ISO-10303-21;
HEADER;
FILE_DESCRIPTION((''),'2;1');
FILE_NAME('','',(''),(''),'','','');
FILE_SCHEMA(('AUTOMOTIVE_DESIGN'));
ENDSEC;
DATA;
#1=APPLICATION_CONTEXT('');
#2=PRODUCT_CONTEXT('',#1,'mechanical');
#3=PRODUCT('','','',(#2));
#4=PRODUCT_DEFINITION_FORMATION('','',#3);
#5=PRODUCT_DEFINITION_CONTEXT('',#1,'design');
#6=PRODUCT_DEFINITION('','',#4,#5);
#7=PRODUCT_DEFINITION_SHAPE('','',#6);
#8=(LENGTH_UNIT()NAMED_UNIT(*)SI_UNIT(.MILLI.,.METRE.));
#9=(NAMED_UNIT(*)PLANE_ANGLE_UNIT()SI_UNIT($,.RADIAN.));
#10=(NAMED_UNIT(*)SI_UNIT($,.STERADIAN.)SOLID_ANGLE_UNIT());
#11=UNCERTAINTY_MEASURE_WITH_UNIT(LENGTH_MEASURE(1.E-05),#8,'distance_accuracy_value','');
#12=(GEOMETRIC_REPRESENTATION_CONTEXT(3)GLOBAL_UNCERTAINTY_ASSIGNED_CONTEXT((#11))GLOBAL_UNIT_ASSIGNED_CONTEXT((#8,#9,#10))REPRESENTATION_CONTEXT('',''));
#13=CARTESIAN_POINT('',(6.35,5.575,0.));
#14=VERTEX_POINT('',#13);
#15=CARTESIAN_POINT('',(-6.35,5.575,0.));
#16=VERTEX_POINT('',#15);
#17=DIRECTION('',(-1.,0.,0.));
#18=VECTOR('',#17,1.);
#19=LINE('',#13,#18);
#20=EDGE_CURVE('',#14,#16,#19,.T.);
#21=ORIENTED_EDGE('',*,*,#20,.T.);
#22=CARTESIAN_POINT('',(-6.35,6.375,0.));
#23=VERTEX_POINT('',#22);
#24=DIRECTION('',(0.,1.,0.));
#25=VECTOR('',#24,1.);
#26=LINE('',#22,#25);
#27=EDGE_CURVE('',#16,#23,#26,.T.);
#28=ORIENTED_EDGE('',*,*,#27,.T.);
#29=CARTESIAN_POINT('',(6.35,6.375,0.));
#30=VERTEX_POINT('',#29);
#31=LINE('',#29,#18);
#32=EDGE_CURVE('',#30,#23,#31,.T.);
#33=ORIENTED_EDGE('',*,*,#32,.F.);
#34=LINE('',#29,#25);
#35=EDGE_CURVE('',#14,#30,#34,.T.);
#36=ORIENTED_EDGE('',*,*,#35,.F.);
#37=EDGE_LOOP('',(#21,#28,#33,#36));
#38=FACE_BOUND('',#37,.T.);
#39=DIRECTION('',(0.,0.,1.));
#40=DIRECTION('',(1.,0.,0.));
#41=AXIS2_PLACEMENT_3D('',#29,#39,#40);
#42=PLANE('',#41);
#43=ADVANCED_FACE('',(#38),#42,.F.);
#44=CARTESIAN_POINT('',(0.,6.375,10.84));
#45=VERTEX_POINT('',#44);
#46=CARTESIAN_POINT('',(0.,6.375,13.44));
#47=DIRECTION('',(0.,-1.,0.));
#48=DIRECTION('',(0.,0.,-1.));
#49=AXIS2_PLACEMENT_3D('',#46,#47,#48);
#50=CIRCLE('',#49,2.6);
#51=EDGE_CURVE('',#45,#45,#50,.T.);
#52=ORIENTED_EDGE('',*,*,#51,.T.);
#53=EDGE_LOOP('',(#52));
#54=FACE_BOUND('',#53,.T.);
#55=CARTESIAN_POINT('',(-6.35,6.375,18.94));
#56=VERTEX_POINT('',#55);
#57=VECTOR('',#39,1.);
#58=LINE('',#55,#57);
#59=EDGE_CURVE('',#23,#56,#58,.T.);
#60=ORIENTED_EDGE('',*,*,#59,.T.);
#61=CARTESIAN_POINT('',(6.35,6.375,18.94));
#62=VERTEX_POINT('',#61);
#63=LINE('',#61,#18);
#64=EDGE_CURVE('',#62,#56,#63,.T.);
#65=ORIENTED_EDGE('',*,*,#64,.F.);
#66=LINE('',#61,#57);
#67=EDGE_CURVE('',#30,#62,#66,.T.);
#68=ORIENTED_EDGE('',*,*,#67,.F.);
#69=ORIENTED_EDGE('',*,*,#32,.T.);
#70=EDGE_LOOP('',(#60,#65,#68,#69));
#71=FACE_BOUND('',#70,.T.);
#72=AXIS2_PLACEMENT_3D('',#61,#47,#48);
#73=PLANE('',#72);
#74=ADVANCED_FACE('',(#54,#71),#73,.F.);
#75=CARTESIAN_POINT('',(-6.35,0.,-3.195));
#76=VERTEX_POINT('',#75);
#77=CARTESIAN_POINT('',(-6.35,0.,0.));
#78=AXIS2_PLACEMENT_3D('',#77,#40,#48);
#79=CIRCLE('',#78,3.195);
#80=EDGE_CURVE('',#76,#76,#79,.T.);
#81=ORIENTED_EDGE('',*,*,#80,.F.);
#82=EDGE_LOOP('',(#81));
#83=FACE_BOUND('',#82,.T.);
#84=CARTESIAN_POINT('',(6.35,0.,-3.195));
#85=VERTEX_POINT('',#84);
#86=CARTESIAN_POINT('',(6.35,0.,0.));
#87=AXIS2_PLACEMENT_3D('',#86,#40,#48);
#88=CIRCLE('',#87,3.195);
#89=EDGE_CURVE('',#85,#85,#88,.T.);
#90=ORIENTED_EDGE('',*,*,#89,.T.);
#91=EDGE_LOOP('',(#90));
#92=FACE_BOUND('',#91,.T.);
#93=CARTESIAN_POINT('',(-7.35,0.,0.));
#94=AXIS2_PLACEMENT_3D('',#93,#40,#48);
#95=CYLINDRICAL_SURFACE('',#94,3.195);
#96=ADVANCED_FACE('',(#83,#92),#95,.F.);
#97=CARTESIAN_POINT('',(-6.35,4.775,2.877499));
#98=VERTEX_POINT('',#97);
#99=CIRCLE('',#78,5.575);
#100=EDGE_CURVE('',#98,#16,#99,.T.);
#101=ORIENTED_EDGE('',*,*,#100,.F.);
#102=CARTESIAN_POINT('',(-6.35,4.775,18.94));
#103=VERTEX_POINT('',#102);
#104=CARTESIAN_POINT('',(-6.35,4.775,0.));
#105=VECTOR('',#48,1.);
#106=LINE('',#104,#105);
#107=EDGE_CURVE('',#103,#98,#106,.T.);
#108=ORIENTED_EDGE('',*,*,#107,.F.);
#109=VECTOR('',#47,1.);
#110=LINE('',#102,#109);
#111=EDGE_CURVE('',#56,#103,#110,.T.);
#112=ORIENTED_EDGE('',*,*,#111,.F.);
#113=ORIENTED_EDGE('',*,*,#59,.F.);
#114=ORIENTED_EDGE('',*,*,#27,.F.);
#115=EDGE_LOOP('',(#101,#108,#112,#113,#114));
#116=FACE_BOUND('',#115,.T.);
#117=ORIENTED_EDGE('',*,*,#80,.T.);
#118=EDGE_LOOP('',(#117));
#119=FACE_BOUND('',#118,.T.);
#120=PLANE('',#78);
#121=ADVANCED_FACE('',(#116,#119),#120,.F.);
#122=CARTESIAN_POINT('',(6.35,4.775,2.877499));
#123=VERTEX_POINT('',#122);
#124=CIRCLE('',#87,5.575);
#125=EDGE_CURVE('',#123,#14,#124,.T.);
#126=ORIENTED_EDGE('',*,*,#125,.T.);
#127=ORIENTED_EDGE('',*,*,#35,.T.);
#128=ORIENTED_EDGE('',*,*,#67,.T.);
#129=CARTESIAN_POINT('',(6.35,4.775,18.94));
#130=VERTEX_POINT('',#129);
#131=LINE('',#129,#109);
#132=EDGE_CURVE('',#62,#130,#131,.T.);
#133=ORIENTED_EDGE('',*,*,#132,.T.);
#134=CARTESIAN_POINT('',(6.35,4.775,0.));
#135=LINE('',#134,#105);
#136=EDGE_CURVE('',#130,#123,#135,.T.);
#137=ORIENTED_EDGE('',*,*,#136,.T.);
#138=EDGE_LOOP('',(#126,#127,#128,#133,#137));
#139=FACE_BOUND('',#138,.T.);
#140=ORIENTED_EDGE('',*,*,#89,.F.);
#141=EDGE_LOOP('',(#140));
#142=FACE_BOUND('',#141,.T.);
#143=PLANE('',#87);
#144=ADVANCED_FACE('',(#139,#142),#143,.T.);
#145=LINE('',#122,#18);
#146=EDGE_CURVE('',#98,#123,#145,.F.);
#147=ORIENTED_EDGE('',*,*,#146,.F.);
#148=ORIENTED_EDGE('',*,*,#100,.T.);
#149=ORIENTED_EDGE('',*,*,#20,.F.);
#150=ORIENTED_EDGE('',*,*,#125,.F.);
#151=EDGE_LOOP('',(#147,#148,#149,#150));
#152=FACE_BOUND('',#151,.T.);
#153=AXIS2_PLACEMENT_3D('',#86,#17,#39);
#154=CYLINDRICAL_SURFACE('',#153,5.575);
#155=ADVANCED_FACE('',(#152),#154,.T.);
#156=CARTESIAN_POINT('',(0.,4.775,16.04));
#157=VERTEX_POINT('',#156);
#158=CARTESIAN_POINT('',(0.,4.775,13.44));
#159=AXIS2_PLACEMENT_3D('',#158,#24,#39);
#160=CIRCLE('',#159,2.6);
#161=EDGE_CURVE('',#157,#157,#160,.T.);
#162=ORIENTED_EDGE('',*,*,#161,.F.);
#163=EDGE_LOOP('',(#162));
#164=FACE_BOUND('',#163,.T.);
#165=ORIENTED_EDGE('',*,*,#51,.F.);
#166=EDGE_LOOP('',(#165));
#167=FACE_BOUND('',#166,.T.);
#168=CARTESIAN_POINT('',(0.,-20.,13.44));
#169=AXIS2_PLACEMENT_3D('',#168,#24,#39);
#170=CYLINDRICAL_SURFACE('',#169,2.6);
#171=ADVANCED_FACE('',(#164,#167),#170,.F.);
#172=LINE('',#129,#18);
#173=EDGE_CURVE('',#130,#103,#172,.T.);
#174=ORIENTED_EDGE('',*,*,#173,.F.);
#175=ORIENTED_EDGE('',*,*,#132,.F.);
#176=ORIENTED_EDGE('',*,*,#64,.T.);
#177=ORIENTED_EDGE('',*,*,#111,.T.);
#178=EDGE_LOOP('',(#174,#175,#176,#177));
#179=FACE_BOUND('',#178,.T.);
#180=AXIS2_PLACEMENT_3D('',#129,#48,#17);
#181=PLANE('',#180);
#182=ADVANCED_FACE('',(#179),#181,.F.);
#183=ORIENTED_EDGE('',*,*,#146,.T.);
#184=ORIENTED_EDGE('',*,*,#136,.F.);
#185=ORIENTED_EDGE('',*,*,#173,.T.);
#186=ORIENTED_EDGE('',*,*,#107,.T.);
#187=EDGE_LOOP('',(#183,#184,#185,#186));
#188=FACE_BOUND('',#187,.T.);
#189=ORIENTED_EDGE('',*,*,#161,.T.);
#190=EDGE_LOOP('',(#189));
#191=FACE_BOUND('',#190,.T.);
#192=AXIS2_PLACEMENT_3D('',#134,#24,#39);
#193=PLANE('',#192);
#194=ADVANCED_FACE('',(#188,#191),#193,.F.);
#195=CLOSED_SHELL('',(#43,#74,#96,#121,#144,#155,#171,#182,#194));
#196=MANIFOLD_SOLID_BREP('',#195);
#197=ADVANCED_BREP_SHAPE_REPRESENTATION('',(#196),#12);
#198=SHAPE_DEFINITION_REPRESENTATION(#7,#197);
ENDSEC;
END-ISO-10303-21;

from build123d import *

# Parameters (mm, degrees)
LOOP_SKETCH_R       = 5.575
LOOP_DEPTH          = 6.35
TAB_SKETCH_W        = 18.94
TAB_SKETCH_H        = 1.6
TAB_DEPTH           = 6.35
TUBE_HOLE_SKETCH_R  = 3.195
TUBE_HOLE_DEPTH     = 7.35
MOUNT_HOLE_SKETCH_R = 2.6
MOUNT_HOLE_DEPTH    = 20


with BuildPart() as part:
    # Loop Sketch → Loop (new, symmetric)
    with BuildSketch(Plane(origin=(0, 0, 0), x_dir=(0, 0, -1), z_dir=(1, 0, 0))):
        Circle(LOOP_SKETCH_R)
    extrude(amount=LOOP_DEPTH, both=True)

    # Tab Sketch → Tab (add, symmetric)
    with BuildSketch(Plane(origin=(0, 0, 0), x_dir=(0, 0, -1), z_dir=(1, 0, 0))):
        with Locations((-9.47, 5.575)):
            Rectangle(TAB_SKETCH_W, TAB_SKETCH_H)
    extrude(amount=TAB_DEPTH, both=True)

    # Tube Hole Sketch → Tube Hole (cut, symmetric)
    with BuildSketch(Plane(origin=(0, 0, 0), x_dir=(0, 0, -1), z_dir=(1, 0, 0))):
        Circle(TUBE_HOLE_SKETCH_R)
    extrude(amount=TUBE_HOLE_DEPTH, both=True, mode=Mode.SUBTRACT)

    # Mount Hole Sketch → Mount Hole (cut, symmetric)
    with BuildSketch(Plane(origin=(0, 0, 0), x_dir=(1, 0, 0), z_dir=(0, 1, 0))):
        with Locations((0, -13.44)):
            Circle(MOUNT_HOLE_SKETCH_R)
    extrude(amount=MOUNT_HOLE_DEPTH, both=True, mode=Mode.SUBTRACT)


solid = part.part
